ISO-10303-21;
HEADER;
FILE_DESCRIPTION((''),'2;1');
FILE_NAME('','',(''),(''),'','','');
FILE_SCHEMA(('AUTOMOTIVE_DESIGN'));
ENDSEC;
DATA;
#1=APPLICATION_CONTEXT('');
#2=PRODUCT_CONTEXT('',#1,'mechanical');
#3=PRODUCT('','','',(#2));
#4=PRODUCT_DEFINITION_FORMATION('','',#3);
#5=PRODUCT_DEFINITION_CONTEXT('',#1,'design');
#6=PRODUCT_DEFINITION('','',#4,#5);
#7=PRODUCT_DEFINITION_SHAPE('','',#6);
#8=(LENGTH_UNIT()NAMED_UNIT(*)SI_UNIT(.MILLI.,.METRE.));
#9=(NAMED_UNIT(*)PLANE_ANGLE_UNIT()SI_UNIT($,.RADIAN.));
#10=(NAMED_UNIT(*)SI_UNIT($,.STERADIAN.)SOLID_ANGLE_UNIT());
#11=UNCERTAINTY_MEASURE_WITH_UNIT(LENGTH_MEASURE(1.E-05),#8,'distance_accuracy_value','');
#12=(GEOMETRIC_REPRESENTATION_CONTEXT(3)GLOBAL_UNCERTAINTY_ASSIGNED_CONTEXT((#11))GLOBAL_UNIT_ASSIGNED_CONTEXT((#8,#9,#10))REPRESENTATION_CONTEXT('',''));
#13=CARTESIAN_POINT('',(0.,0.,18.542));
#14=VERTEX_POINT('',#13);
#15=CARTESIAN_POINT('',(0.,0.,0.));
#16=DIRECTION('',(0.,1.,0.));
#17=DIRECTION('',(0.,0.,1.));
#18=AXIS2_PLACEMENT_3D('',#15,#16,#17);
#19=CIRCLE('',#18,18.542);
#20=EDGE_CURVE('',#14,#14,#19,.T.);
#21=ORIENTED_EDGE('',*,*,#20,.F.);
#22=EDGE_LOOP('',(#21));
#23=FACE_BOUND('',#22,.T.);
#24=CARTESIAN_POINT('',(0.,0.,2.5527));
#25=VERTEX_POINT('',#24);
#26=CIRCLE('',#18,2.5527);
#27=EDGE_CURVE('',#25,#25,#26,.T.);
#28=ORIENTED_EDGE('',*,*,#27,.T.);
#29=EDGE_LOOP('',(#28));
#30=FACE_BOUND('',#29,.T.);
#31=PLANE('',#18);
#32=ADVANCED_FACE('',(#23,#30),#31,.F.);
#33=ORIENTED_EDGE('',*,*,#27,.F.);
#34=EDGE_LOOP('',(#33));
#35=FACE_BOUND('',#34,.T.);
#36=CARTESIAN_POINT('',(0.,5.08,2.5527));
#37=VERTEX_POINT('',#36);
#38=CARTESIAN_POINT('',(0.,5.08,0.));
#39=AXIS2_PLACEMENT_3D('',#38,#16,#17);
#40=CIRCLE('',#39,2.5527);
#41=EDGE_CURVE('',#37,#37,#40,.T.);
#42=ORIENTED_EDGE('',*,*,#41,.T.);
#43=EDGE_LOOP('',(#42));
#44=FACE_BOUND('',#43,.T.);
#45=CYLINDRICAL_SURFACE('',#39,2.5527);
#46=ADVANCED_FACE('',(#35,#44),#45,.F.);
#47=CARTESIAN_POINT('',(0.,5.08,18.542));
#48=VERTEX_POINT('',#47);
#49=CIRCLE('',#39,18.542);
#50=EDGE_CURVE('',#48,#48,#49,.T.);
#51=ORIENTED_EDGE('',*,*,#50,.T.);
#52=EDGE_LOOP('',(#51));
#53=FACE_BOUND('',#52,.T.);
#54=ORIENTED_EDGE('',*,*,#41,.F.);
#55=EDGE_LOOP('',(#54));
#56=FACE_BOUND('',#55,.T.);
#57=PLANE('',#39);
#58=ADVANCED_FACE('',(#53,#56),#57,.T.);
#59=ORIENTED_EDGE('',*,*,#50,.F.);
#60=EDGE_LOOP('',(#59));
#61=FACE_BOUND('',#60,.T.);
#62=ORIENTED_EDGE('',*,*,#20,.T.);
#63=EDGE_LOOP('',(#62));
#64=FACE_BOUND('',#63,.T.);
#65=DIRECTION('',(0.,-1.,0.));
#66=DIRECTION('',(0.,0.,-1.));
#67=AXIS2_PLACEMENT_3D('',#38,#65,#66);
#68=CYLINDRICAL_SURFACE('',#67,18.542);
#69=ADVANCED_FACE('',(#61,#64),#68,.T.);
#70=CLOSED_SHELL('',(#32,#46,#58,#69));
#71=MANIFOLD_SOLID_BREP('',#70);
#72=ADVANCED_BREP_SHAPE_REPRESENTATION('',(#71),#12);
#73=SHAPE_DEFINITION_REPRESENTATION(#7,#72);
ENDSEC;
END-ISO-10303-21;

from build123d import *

# Parameters (mm, degrees)
SKETCH1_R               = 18.542
BOSS_EXTRUDE1_DEPTH     = 5.08
F_1_4_20_TAPPED_HOLE1_D = 5.1054


with BuildPart() as part:
    # Sketch1 → Boss-Extrude1 (new body)
    with BuildSketch(Plane(origin=(0, 0, 0), x_dir=(1, 0, 0), z_dir=(0, 1, 0))):
        with Locations(Location((0, 0, 0), (0, 0, 270))):  # turned: the seam where the file's is
            Circle(SKETCH1_R)
    extrude(amount=BOSS_EXTRUDE1_DEPTH)

    # 1/4-20 Tapped Hole1 (through all)
    with Locations(Plane(origin=(0, 5.08, 0), x_dir=(1, 0, 0), z_dir=(0, 1, 0))):
        with Locations((0, 0)):
            Hole(F_1_4_20_TAPPED_HOLE1_D / 2)


solid = part.part
